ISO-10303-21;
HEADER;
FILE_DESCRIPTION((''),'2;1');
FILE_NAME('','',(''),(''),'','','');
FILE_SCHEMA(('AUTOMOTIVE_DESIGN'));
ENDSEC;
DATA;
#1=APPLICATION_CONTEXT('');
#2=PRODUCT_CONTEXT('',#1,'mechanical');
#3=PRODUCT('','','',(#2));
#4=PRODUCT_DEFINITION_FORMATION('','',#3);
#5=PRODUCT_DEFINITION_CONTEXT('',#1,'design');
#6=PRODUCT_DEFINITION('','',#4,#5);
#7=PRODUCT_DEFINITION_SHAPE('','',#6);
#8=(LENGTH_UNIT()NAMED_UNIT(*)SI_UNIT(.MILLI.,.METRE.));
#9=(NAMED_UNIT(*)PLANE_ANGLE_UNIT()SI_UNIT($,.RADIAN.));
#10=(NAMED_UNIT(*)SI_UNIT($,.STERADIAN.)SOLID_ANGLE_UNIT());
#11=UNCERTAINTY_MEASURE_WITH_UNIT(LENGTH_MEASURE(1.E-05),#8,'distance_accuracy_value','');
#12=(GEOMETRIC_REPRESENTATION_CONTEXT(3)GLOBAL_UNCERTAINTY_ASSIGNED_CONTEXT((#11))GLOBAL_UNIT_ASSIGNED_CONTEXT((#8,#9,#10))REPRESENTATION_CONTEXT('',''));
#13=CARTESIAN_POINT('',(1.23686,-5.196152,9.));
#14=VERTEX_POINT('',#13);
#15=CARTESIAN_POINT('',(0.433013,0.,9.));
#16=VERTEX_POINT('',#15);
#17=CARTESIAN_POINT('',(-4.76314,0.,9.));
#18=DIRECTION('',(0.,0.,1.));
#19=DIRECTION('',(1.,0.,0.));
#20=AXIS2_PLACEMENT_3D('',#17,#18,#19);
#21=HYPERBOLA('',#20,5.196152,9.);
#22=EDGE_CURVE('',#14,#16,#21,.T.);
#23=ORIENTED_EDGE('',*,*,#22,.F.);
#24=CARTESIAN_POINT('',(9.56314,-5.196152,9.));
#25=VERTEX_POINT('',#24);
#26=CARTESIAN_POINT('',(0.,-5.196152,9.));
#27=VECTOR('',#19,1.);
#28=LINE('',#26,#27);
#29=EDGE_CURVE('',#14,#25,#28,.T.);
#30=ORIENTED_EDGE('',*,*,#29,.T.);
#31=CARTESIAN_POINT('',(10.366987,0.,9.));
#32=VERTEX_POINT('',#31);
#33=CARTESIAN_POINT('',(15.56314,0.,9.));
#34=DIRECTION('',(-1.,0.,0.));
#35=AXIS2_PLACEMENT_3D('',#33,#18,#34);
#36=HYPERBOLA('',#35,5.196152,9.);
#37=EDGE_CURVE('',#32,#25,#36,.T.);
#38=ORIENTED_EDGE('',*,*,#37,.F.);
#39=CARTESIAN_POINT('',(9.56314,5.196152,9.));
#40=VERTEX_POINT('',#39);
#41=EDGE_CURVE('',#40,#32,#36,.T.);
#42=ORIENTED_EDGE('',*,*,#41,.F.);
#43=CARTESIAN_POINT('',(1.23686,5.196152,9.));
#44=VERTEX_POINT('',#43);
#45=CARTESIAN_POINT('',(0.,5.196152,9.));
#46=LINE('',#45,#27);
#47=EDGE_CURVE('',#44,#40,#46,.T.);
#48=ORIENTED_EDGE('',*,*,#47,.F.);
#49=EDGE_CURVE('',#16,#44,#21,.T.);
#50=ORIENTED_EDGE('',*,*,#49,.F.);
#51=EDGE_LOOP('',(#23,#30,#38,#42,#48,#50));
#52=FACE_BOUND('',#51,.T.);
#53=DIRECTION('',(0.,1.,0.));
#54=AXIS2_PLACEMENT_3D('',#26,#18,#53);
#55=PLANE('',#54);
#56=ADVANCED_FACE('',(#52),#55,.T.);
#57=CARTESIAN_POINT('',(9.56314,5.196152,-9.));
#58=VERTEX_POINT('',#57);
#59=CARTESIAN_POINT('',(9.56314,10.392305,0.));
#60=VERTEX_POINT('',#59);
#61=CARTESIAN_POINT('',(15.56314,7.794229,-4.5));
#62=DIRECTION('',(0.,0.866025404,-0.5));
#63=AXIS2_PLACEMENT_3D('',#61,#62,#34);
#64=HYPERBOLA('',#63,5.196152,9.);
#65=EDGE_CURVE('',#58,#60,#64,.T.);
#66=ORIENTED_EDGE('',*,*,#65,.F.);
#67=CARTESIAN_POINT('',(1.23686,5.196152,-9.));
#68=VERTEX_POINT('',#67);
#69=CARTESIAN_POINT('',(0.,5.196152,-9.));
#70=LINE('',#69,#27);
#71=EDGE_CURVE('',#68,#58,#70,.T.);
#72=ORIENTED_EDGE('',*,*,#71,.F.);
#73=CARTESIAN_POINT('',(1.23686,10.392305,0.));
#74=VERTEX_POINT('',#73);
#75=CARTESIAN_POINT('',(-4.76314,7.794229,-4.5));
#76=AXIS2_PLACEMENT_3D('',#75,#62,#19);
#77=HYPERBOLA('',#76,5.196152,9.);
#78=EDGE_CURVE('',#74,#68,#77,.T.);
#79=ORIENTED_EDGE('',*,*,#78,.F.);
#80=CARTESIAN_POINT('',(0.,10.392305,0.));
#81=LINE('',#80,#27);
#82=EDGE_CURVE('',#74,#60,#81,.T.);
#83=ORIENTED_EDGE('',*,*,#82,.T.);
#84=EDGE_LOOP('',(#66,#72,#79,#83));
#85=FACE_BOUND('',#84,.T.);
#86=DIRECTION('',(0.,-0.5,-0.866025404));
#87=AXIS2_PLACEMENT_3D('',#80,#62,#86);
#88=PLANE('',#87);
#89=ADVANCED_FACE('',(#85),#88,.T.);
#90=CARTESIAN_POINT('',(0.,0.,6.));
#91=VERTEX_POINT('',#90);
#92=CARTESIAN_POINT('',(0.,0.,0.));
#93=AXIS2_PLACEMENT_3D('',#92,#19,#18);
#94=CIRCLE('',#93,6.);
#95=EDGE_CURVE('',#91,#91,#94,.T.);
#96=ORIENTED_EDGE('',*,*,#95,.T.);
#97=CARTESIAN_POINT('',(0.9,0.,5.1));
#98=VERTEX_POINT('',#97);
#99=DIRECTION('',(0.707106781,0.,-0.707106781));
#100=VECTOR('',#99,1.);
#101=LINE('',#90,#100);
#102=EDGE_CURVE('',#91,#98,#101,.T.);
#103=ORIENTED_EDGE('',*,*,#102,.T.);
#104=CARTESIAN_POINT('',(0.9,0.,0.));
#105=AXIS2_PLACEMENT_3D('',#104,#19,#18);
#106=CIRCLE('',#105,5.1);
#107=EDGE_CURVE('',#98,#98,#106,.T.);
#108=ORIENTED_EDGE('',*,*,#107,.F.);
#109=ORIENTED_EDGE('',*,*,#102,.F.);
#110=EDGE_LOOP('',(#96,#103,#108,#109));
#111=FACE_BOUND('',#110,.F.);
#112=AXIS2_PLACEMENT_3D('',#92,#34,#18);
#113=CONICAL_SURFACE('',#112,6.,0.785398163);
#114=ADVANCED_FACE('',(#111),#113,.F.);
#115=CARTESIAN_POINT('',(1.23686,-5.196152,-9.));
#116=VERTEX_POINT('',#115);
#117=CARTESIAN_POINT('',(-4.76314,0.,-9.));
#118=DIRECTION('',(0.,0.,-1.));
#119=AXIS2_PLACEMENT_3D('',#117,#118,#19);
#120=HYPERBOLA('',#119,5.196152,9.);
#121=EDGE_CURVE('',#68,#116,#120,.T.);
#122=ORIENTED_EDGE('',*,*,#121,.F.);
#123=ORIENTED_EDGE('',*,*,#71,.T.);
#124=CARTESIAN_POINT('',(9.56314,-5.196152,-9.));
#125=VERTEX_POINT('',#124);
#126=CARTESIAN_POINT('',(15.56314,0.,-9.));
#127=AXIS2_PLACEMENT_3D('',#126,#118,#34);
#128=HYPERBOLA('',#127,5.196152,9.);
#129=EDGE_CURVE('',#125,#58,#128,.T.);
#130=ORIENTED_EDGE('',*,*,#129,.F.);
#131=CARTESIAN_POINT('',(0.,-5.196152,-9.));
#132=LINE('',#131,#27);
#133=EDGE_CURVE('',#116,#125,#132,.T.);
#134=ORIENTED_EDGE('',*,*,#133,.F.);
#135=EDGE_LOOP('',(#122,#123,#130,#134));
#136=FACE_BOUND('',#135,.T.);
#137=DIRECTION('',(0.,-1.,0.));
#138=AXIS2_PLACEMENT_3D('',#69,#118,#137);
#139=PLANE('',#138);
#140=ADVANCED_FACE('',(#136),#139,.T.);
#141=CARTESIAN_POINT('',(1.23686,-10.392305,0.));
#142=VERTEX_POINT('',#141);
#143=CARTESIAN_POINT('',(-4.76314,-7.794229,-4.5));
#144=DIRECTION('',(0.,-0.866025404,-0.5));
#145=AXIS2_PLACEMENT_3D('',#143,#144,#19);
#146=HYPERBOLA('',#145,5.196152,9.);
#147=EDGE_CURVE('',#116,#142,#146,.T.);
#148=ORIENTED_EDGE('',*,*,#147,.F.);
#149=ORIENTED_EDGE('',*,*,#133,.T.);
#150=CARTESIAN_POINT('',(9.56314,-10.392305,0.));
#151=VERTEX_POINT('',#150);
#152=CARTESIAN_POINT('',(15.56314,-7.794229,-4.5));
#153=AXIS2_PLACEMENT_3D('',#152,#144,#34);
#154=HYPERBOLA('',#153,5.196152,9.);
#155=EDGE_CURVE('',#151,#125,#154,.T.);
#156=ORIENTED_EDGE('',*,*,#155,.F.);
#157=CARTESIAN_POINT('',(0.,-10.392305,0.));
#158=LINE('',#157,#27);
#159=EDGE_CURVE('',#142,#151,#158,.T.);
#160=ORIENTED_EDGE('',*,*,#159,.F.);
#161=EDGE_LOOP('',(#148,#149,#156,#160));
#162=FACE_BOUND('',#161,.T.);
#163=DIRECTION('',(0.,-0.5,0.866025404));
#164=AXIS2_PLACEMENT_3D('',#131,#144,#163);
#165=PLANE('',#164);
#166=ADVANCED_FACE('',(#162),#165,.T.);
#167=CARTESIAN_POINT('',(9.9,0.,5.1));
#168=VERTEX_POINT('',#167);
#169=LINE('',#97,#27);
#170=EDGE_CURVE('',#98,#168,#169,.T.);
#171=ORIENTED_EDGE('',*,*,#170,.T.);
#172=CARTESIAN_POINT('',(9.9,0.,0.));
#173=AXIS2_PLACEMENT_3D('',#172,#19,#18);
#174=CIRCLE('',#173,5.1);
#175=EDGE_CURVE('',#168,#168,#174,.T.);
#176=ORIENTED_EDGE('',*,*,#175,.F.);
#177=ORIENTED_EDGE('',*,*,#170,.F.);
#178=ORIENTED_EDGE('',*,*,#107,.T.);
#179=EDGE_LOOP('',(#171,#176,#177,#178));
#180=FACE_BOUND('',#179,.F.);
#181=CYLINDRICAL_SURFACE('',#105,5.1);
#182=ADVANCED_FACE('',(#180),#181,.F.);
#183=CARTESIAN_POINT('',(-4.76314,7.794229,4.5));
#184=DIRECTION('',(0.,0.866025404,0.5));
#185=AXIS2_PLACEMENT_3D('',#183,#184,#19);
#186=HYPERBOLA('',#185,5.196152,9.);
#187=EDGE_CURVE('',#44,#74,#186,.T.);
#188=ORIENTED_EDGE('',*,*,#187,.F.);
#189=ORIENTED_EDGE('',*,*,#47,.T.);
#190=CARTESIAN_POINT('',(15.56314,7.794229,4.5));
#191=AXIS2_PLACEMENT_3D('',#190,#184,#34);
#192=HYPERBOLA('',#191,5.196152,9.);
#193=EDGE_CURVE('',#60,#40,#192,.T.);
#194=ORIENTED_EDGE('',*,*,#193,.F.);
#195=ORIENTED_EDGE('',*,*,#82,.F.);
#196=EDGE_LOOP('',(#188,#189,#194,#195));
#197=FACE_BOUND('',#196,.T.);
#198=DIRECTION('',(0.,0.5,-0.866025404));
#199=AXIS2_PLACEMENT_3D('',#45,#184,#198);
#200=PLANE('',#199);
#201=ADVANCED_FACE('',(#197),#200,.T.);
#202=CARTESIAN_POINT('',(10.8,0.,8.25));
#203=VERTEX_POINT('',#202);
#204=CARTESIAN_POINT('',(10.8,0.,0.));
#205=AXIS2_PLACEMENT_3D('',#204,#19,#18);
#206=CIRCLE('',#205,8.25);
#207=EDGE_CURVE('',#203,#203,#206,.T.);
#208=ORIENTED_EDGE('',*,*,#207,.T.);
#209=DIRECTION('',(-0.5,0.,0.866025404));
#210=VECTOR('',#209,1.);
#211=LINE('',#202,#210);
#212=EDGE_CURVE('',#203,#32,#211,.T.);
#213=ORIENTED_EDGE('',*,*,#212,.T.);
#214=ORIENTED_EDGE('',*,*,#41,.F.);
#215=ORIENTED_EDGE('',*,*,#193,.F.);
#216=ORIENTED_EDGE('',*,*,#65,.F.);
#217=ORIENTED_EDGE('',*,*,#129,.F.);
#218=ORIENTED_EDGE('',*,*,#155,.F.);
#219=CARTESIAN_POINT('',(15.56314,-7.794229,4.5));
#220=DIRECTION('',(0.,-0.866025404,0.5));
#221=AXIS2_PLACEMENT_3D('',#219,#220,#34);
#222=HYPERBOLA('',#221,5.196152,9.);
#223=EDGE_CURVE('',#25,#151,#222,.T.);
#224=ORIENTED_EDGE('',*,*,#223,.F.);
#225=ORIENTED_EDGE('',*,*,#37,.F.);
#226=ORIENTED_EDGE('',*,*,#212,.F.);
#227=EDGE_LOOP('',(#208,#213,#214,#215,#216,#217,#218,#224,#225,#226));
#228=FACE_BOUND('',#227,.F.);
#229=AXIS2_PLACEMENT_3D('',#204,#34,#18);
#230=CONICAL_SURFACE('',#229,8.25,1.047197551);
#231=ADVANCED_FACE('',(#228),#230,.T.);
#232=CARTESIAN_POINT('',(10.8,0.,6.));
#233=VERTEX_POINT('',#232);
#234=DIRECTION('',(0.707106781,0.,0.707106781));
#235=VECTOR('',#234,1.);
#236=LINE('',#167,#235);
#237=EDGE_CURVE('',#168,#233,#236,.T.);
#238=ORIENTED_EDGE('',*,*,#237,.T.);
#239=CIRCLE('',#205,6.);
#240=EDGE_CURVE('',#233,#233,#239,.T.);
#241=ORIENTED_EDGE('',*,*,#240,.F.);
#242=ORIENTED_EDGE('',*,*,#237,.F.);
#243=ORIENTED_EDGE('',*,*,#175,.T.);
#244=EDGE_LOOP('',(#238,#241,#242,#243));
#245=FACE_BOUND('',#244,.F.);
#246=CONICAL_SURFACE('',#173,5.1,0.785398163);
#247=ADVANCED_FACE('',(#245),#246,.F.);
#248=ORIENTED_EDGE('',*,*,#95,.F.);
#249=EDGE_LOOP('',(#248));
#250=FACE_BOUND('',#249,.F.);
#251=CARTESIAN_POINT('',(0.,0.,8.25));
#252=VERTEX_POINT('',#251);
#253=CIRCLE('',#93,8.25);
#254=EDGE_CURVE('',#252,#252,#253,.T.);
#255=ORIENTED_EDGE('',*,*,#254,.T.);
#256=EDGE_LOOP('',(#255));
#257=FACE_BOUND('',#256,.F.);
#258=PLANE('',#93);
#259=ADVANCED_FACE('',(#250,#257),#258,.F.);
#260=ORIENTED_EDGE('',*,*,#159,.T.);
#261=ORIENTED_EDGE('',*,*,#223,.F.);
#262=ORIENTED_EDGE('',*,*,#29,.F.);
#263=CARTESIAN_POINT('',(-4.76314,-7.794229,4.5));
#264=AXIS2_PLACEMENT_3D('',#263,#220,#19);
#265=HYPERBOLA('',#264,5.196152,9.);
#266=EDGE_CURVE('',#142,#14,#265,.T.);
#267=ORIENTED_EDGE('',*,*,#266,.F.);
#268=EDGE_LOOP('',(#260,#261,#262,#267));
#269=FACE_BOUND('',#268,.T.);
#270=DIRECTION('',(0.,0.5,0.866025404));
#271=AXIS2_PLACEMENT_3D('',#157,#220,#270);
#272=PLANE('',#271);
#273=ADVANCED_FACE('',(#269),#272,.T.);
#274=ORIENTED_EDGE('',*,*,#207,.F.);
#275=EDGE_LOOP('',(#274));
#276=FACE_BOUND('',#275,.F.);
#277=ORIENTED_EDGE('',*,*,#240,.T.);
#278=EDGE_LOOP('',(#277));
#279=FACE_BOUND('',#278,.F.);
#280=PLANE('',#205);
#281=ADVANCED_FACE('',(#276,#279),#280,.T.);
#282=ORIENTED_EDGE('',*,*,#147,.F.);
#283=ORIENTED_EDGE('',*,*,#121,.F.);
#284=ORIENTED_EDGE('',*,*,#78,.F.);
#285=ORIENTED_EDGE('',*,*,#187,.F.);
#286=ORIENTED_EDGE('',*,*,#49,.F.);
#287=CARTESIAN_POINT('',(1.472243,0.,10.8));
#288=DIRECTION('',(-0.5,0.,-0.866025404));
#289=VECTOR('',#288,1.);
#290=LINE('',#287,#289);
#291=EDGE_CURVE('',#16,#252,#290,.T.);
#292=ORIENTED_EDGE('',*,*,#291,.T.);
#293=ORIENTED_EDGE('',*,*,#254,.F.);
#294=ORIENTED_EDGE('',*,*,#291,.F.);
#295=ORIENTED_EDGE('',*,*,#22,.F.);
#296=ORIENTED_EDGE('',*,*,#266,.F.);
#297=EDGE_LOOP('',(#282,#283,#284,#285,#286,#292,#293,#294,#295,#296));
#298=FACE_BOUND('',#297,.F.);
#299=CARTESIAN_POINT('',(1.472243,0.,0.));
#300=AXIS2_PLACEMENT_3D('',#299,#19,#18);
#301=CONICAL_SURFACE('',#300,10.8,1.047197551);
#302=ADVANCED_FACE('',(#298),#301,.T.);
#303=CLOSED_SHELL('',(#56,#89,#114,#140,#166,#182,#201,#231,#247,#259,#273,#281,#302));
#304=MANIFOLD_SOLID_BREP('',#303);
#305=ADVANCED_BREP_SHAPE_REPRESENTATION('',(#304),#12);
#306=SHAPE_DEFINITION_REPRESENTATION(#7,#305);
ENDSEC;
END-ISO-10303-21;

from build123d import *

# Parameters (mm, degrees)
SKETCH_2_OUTSIDE_W  = 30.08
SKETCH_2_OUTSIDE_H  = 30.08
CUT_EXTRUDE_1_DEPTH = 19.706148722


with BuildPart() as part:
    # Эскиз1 → Повернуть1 (revolve)
    with BuildSketch(Plane.XY, mode=Mode.PRIVATE) as revolve_1_sk:
        Polygon((0.9, 5.1), (9.9, 5.1), (10.8, 6), (10.8, 8.25), (9.327756814, 10.8), (1.472243186, 10.8), (0, 8.25), (0, 6), align=None)
    revolve(revolve_1_sk.sketch.rotate(Axis((0, 0, 0), (1, 0, 0)), 90), axis=Axis((0, 0, 0), (1, 0, 0)))

    # Эскиз2 outside → Вырез-Вытянуть1 (cut, through all)
    with BuildSketch(Plane.ZY):
        Rectangle(SKETCH_2_OUTSIDE_W, SKETCH_2_OUTSIDE_H)
        Polygon((0, 10.392304845), (-9, 5.196152423), (-9, -5.196152423), (0, -10.392304845), (9, -5.196152423), (9, 5.196152423), align=None, mode=Mode.SUBTRACT)
    extrude(amount=-CUT_EXTRUDE_1_DEPTH, mode=Mode.SUBTRACT)


solid = part.part
